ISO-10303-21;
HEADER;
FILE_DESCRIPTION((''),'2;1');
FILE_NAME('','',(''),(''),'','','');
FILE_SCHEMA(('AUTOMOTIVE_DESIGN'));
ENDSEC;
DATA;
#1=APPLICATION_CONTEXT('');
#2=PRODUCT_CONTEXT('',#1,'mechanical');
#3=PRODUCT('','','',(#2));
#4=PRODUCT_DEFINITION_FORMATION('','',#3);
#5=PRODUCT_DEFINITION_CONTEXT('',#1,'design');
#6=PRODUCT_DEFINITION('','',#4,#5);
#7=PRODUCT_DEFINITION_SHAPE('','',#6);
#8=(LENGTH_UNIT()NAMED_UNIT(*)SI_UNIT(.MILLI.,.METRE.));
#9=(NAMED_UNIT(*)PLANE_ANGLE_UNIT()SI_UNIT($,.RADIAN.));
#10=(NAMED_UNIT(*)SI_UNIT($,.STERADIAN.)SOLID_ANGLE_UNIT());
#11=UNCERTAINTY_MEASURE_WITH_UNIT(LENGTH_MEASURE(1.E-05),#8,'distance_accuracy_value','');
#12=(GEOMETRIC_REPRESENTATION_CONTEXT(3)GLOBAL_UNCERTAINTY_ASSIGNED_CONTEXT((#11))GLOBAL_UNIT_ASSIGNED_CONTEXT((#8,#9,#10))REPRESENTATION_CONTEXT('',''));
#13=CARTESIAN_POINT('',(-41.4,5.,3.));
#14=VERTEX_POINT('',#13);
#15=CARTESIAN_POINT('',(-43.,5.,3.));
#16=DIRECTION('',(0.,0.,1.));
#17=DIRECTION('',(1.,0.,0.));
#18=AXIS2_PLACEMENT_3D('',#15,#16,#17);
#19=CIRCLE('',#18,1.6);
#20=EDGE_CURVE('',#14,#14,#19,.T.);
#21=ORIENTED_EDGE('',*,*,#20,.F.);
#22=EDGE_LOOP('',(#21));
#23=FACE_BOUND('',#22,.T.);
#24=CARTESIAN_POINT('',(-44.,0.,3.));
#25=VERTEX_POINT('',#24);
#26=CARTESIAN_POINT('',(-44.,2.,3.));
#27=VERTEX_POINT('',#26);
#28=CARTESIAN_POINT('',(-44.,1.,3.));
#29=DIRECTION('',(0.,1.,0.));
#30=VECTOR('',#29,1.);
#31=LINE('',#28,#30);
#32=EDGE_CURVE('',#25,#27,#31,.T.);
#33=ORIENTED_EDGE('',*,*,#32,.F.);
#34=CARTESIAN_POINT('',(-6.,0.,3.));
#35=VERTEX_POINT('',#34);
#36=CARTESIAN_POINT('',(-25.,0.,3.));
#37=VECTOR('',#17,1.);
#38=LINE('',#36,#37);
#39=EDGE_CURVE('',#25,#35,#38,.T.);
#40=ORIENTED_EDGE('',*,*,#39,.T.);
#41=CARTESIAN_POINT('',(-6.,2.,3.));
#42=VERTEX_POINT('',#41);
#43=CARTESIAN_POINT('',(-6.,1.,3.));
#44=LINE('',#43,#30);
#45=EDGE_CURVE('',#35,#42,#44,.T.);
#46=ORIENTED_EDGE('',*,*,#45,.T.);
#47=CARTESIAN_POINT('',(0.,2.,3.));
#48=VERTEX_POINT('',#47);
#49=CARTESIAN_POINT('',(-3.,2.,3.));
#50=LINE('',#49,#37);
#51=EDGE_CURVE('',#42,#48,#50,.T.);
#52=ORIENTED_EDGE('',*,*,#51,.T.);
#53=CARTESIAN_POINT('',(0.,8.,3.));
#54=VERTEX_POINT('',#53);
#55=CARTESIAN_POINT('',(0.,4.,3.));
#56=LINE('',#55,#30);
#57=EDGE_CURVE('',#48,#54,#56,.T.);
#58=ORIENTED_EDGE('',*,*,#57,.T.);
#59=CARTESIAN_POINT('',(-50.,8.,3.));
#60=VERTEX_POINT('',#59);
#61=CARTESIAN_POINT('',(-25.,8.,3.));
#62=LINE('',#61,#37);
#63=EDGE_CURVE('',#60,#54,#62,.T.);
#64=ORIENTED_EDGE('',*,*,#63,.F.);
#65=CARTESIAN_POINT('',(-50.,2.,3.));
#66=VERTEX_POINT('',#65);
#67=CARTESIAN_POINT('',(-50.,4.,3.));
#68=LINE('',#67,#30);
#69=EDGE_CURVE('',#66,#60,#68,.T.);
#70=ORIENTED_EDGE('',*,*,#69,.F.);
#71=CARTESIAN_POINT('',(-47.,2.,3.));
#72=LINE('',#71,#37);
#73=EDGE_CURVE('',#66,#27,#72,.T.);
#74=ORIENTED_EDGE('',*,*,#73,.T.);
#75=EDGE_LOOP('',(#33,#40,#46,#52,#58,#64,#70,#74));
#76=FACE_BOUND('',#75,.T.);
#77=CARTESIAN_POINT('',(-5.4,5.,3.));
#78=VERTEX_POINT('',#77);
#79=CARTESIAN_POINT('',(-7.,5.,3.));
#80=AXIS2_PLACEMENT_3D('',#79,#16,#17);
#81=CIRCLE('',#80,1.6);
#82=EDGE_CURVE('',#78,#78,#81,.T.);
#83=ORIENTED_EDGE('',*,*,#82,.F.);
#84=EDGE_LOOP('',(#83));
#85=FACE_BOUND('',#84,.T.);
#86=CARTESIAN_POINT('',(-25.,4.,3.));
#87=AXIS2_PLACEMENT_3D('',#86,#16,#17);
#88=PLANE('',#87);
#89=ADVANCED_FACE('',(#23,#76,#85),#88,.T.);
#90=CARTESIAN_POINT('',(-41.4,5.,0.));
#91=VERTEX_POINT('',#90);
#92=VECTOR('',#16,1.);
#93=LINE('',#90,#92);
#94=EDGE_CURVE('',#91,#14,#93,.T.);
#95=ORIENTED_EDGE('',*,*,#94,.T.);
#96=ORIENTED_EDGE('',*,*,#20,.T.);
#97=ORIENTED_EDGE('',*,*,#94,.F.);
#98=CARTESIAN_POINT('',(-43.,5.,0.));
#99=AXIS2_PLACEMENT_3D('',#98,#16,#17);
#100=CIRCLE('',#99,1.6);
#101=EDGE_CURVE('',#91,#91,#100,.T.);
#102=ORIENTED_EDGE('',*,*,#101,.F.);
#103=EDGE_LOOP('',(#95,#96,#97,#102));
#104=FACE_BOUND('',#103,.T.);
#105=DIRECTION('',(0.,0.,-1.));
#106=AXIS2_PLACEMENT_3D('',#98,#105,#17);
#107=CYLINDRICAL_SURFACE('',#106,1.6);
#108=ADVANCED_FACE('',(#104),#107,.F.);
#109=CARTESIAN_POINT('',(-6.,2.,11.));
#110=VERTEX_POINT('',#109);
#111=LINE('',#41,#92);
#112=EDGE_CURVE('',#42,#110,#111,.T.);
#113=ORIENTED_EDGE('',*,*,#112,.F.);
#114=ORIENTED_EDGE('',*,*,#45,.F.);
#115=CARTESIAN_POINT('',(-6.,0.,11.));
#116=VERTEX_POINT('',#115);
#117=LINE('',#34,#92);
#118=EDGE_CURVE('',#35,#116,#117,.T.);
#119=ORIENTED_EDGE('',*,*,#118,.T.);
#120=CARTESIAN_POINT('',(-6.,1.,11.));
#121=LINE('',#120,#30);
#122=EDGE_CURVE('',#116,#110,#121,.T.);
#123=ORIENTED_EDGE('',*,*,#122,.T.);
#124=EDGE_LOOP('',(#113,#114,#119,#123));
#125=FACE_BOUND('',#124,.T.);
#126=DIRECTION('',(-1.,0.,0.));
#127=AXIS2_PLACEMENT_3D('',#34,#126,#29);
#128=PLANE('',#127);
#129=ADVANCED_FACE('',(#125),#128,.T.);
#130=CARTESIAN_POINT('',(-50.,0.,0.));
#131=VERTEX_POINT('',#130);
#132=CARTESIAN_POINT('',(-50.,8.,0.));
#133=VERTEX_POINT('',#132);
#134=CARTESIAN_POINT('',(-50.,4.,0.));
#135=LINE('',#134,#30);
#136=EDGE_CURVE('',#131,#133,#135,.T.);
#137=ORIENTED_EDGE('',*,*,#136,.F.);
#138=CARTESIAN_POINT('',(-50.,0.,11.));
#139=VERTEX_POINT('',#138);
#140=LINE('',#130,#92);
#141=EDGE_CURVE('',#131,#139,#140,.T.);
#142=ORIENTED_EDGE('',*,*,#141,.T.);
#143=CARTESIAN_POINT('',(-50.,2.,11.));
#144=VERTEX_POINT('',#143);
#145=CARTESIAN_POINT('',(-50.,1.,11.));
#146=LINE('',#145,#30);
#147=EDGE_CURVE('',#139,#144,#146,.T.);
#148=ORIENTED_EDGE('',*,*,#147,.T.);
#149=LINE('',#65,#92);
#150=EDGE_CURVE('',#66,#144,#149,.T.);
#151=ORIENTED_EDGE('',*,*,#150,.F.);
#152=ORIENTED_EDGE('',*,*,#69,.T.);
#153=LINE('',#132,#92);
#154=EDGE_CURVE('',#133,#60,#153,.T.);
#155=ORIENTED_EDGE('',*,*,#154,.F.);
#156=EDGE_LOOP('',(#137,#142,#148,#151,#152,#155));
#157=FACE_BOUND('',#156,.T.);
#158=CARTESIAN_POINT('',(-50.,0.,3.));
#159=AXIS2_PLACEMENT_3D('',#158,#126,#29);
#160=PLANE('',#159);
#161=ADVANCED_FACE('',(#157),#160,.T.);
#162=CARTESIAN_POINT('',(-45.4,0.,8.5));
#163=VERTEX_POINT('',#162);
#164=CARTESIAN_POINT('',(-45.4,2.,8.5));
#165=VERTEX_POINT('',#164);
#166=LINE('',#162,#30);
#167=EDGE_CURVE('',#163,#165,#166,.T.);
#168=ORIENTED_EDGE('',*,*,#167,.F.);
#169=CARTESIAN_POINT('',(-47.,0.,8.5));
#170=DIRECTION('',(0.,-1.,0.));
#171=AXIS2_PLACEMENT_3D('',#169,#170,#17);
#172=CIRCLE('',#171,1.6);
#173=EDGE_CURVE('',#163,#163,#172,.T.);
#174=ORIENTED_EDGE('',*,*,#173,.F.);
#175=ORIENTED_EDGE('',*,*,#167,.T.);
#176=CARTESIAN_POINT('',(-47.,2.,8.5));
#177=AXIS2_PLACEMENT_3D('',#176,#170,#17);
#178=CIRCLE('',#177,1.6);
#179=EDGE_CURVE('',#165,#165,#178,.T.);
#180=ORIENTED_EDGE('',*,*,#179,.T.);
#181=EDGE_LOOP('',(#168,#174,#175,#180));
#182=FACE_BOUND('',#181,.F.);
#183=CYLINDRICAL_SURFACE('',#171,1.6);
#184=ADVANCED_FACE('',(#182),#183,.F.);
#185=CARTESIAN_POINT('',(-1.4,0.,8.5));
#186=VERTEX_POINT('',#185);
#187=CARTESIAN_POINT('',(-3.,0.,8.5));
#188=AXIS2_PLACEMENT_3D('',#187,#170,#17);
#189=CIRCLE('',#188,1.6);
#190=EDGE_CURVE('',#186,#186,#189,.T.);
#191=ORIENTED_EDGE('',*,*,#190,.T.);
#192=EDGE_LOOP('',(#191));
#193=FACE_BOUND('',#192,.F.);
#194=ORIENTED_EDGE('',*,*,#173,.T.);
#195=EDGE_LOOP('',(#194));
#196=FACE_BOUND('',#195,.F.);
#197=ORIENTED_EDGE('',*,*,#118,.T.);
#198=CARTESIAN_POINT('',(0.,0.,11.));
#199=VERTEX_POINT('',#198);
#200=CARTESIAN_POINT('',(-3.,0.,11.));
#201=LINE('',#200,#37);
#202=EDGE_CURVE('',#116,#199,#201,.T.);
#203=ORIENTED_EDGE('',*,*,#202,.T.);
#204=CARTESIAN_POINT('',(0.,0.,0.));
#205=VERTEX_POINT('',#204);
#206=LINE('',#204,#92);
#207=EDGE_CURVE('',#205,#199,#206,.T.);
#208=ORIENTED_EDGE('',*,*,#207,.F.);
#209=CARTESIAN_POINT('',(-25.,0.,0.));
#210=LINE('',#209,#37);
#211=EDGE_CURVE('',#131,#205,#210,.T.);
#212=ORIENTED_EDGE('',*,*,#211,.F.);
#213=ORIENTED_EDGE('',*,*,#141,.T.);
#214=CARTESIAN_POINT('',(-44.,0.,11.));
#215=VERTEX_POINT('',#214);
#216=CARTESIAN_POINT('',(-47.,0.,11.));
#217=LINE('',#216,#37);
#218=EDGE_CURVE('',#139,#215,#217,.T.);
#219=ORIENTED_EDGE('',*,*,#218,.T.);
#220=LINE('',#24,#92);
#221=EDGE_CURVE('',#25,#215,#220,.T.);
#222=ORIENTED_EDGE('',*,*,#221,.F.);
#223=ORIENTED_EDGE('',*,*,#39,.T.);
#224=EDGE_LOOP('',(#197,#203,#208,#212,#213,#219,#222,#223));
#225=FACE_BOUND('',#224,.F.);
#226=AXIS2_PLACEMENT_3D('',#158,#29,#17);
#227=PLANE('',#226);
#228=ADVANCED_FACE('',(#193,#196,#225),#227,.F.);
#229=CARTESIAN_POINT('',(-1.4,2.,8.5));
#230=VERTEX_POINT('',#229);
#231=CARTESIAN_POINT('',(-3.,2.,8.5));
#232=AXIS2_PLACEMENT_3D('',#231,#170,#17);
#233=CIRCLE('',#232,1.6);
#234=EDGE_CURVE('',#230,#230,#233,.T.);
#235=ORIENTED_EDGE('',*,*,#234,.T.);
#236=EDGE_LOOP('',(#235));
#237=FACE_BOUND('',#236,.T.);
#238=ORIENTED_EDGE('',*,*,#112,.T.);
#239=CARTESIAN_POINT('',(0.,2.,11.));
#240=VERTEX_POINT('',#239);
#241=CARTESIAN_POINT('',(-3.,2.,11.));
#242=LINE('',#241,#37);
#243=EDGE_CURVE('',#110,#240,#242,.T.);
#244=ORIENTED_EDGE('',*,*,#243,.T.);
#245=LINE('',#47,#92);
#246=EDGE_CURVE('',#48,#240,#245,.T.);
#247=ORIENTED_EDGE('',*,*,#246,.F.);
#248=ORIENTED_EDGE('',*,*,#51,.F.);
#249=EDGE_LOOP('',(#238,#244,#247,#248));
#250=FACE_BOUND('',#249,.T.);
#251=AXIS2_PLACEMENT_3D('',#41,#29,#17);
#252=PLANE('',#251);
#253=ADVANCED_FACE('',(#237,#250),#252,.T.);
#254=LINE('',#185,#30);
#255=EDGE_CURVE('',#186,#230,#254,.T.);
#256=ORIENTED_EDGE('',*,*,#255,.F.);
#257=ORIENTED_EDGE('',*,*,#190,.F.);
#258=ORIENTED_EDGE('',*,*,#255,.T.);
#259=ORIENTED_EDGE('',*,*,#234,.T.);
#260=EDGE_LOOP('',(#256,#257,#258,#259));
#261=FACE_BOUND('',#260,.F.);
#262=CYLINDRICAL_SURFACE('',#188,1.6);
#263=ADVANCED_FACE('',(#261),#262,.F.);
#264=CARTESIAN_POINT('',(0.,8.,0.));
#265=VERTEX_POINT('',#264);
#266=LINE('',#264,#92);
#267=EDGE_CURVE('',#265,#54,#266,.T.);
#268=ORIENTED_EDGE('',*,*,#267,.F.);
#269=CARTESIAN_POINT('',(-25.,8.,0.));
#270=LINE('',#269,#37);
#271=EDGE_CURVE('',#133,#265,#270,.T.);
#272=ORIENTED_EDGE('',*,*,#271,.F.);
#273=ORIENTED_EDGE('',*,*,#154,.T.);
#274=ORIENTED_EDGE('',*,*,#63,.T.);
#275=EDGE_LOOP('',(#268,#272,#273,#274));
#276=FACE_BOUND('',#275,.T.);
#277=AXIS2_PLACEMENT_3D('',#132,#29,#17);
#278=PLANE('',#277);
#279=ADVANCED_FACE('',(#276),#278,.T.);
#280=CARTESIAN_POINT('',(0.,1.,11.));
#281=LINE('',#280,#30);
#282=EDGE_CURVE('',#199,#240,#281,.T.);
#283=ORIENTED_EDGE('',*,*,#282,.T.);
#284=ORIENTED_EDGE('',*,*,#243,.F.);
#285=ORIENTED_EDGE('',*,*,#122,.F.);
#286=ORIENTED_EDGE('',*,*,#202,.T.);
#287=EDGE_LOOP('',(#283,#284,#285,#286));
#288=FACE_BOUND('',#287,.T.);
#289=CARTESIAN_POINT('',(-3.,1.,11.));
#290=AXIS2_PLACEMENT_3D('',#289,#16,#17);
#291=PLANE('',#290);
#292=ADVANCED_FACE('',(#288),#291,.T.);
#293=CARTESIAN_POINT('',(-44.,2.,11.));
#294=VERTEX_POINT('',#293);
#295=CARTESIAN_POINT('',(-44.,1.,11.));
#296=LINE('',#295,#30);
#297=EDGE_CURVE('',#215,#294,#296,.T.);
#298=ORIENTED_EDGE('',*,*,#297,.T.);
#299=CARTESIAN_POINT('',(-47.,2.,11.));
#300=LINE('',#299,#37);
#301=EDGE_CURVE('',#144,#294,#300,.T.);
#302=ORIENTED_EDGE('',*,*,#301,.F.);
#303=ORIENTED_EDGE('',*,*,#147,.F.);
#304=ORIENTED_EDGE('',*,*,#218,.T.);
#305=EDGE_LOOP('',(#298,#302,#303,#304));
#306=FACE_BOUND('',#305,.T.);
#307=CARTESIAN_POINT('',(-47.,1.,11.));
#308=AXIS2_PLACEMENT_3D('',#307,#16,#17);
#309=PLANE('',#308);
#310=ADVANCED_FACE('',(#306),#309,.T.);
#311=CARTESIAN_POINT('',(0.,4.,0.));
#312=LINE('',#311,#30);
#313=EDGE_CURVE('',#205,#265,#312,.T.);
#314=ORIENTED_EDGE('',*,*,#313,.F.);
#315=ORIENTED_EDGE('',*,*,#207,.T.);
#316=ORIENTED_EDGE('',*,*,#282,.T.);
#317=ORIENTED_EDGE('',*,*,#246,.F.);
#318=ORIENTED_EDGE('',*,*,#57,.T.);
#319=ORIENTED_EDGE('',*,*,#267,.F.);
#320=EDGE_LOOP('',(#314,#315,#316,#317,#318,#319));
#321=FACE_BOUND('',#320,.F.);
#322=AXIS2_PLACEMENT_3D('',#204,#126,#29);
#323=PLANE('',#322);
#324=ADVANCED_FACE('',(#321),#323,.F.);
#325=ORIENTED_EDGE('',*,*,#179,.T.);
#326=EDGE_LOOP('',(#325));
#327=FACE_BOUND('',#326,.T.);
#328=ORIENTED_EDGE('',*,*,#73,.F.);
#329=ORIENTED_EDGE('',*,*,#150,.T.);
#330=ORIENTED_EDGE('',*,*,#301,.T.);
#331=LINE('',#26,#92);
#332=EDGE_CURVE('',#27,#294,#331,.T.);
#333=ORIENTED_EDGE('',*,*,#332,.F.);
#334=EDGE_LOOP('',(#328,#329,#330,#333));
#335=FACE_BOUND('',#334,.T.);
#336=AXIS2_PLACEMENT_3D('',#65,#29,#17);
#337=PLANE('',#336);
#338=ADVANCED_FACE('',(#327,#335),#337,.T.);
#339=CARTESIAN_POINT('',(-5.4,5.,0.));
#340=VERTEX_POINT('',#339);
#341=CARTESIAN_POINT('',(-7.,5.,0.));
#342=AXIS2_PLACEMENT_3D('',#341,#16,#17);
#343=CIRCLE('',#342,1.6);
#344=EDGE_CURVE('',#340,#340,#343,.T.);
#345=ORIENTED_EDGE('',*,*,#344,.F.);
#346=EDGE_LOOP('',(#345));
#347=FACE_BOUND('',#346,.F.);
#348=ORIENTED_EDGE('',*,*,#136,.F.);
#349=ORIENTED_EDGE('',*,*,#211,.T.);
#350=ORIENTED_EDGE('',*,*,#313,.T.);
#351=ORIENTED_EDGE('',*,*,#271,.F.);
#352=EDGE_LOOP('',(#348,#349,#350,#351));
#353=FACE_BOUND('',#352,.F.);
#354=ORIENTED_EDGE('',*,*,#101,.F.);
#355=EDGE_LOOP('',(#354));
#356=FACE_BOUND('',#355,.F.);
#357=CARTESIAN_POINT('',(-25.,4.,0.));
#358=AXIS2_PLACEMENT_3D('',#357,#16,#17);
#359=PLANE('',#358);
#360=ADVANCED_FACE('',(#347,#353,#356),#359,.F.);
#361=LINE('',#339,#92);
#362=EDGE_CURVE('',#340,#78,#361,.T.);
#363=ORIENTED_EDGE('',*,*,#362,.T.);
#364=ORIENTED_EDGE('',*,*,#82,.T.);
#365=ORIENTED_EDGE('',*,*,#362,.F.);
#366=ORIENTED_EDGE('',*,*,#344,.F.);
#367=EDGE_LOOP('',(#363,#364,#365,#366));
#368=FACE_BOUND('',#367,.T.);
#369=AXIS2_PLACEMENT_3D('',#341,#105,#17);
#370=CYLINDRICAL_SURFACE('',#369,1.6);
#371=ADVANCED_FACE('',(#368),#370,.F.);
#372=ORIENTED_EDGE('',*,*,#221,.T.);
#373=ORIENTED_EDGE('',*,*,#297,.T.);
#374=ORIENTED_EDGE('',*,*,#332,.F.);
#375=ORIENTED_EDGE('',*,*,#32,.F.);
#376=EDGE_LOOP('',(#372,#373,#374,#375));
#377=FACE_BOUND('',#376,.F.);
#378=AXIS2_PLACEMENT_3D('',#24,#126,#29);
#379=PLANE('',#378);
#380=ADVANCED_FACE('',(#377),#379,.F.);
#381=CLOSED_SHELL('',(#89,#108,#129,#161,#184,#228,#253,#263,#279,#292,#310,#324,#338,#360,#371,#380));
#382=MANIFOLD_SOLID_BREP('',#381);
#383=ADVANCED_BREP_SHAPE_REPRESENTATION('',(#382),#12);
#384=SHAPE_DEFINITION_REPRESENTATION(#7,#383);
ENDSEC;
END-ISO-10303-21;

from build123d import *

# Parameters (mm, degrees)
SKETCH_W     = 50
SKETCH_H     = 8
SKETCH_R     = 1.6
PAD_DEPTH    = 3
SKETCH001_W  = 6
SKETCH001_H  = 2
PAD001_DEPTH = 8
SKETCH002_R  = 1.6
POCKET_DEPTH = 5


with BuildPart() as part:
    # Sketch → Pad (new body)
    with BuildSketch(Plane.XY):
        with Locations((-25, 4)):
            Rectangle(SKETCH_W, SKETCH_H)
        with Locations((-43, 5)):
            Circle(SKETCH_R, mode=Mode.SUBTRACT)
        with Locations((-7, 5)):
            Circle(SKETCH_R, mode=Mode.SUBTRACT)
    extrude(amount=PAD_DEPTH)

    # Sketch001 (on Face8 of Pad) → Pad001 (join)
    with BuildSketch(Plane.XY.offset(3)):
        with Locations((-47, 1)):
            Rectangle(SKETCH001_W, SKETCH001_H)
        with Locations((-3, 1)):
            Rectangle(SKETCH001_W, SKETCH001_H)
    extrude(amount=PAD001_DEPTH)

    # Sketch002 (on Face1 of Pad001) → Pocket (cut)
    with BuildSketch(Plane.XZ):
        with Locations((-47, 8.5)):
            Circle(SKETCH002_R)
        with Locations((-3, 8.5)):
            Circle(SKETCH002_R)
    extrude(amount=-POCKET_DEPTH, mode=Mode.SUBTRACT)


solid = part.part
